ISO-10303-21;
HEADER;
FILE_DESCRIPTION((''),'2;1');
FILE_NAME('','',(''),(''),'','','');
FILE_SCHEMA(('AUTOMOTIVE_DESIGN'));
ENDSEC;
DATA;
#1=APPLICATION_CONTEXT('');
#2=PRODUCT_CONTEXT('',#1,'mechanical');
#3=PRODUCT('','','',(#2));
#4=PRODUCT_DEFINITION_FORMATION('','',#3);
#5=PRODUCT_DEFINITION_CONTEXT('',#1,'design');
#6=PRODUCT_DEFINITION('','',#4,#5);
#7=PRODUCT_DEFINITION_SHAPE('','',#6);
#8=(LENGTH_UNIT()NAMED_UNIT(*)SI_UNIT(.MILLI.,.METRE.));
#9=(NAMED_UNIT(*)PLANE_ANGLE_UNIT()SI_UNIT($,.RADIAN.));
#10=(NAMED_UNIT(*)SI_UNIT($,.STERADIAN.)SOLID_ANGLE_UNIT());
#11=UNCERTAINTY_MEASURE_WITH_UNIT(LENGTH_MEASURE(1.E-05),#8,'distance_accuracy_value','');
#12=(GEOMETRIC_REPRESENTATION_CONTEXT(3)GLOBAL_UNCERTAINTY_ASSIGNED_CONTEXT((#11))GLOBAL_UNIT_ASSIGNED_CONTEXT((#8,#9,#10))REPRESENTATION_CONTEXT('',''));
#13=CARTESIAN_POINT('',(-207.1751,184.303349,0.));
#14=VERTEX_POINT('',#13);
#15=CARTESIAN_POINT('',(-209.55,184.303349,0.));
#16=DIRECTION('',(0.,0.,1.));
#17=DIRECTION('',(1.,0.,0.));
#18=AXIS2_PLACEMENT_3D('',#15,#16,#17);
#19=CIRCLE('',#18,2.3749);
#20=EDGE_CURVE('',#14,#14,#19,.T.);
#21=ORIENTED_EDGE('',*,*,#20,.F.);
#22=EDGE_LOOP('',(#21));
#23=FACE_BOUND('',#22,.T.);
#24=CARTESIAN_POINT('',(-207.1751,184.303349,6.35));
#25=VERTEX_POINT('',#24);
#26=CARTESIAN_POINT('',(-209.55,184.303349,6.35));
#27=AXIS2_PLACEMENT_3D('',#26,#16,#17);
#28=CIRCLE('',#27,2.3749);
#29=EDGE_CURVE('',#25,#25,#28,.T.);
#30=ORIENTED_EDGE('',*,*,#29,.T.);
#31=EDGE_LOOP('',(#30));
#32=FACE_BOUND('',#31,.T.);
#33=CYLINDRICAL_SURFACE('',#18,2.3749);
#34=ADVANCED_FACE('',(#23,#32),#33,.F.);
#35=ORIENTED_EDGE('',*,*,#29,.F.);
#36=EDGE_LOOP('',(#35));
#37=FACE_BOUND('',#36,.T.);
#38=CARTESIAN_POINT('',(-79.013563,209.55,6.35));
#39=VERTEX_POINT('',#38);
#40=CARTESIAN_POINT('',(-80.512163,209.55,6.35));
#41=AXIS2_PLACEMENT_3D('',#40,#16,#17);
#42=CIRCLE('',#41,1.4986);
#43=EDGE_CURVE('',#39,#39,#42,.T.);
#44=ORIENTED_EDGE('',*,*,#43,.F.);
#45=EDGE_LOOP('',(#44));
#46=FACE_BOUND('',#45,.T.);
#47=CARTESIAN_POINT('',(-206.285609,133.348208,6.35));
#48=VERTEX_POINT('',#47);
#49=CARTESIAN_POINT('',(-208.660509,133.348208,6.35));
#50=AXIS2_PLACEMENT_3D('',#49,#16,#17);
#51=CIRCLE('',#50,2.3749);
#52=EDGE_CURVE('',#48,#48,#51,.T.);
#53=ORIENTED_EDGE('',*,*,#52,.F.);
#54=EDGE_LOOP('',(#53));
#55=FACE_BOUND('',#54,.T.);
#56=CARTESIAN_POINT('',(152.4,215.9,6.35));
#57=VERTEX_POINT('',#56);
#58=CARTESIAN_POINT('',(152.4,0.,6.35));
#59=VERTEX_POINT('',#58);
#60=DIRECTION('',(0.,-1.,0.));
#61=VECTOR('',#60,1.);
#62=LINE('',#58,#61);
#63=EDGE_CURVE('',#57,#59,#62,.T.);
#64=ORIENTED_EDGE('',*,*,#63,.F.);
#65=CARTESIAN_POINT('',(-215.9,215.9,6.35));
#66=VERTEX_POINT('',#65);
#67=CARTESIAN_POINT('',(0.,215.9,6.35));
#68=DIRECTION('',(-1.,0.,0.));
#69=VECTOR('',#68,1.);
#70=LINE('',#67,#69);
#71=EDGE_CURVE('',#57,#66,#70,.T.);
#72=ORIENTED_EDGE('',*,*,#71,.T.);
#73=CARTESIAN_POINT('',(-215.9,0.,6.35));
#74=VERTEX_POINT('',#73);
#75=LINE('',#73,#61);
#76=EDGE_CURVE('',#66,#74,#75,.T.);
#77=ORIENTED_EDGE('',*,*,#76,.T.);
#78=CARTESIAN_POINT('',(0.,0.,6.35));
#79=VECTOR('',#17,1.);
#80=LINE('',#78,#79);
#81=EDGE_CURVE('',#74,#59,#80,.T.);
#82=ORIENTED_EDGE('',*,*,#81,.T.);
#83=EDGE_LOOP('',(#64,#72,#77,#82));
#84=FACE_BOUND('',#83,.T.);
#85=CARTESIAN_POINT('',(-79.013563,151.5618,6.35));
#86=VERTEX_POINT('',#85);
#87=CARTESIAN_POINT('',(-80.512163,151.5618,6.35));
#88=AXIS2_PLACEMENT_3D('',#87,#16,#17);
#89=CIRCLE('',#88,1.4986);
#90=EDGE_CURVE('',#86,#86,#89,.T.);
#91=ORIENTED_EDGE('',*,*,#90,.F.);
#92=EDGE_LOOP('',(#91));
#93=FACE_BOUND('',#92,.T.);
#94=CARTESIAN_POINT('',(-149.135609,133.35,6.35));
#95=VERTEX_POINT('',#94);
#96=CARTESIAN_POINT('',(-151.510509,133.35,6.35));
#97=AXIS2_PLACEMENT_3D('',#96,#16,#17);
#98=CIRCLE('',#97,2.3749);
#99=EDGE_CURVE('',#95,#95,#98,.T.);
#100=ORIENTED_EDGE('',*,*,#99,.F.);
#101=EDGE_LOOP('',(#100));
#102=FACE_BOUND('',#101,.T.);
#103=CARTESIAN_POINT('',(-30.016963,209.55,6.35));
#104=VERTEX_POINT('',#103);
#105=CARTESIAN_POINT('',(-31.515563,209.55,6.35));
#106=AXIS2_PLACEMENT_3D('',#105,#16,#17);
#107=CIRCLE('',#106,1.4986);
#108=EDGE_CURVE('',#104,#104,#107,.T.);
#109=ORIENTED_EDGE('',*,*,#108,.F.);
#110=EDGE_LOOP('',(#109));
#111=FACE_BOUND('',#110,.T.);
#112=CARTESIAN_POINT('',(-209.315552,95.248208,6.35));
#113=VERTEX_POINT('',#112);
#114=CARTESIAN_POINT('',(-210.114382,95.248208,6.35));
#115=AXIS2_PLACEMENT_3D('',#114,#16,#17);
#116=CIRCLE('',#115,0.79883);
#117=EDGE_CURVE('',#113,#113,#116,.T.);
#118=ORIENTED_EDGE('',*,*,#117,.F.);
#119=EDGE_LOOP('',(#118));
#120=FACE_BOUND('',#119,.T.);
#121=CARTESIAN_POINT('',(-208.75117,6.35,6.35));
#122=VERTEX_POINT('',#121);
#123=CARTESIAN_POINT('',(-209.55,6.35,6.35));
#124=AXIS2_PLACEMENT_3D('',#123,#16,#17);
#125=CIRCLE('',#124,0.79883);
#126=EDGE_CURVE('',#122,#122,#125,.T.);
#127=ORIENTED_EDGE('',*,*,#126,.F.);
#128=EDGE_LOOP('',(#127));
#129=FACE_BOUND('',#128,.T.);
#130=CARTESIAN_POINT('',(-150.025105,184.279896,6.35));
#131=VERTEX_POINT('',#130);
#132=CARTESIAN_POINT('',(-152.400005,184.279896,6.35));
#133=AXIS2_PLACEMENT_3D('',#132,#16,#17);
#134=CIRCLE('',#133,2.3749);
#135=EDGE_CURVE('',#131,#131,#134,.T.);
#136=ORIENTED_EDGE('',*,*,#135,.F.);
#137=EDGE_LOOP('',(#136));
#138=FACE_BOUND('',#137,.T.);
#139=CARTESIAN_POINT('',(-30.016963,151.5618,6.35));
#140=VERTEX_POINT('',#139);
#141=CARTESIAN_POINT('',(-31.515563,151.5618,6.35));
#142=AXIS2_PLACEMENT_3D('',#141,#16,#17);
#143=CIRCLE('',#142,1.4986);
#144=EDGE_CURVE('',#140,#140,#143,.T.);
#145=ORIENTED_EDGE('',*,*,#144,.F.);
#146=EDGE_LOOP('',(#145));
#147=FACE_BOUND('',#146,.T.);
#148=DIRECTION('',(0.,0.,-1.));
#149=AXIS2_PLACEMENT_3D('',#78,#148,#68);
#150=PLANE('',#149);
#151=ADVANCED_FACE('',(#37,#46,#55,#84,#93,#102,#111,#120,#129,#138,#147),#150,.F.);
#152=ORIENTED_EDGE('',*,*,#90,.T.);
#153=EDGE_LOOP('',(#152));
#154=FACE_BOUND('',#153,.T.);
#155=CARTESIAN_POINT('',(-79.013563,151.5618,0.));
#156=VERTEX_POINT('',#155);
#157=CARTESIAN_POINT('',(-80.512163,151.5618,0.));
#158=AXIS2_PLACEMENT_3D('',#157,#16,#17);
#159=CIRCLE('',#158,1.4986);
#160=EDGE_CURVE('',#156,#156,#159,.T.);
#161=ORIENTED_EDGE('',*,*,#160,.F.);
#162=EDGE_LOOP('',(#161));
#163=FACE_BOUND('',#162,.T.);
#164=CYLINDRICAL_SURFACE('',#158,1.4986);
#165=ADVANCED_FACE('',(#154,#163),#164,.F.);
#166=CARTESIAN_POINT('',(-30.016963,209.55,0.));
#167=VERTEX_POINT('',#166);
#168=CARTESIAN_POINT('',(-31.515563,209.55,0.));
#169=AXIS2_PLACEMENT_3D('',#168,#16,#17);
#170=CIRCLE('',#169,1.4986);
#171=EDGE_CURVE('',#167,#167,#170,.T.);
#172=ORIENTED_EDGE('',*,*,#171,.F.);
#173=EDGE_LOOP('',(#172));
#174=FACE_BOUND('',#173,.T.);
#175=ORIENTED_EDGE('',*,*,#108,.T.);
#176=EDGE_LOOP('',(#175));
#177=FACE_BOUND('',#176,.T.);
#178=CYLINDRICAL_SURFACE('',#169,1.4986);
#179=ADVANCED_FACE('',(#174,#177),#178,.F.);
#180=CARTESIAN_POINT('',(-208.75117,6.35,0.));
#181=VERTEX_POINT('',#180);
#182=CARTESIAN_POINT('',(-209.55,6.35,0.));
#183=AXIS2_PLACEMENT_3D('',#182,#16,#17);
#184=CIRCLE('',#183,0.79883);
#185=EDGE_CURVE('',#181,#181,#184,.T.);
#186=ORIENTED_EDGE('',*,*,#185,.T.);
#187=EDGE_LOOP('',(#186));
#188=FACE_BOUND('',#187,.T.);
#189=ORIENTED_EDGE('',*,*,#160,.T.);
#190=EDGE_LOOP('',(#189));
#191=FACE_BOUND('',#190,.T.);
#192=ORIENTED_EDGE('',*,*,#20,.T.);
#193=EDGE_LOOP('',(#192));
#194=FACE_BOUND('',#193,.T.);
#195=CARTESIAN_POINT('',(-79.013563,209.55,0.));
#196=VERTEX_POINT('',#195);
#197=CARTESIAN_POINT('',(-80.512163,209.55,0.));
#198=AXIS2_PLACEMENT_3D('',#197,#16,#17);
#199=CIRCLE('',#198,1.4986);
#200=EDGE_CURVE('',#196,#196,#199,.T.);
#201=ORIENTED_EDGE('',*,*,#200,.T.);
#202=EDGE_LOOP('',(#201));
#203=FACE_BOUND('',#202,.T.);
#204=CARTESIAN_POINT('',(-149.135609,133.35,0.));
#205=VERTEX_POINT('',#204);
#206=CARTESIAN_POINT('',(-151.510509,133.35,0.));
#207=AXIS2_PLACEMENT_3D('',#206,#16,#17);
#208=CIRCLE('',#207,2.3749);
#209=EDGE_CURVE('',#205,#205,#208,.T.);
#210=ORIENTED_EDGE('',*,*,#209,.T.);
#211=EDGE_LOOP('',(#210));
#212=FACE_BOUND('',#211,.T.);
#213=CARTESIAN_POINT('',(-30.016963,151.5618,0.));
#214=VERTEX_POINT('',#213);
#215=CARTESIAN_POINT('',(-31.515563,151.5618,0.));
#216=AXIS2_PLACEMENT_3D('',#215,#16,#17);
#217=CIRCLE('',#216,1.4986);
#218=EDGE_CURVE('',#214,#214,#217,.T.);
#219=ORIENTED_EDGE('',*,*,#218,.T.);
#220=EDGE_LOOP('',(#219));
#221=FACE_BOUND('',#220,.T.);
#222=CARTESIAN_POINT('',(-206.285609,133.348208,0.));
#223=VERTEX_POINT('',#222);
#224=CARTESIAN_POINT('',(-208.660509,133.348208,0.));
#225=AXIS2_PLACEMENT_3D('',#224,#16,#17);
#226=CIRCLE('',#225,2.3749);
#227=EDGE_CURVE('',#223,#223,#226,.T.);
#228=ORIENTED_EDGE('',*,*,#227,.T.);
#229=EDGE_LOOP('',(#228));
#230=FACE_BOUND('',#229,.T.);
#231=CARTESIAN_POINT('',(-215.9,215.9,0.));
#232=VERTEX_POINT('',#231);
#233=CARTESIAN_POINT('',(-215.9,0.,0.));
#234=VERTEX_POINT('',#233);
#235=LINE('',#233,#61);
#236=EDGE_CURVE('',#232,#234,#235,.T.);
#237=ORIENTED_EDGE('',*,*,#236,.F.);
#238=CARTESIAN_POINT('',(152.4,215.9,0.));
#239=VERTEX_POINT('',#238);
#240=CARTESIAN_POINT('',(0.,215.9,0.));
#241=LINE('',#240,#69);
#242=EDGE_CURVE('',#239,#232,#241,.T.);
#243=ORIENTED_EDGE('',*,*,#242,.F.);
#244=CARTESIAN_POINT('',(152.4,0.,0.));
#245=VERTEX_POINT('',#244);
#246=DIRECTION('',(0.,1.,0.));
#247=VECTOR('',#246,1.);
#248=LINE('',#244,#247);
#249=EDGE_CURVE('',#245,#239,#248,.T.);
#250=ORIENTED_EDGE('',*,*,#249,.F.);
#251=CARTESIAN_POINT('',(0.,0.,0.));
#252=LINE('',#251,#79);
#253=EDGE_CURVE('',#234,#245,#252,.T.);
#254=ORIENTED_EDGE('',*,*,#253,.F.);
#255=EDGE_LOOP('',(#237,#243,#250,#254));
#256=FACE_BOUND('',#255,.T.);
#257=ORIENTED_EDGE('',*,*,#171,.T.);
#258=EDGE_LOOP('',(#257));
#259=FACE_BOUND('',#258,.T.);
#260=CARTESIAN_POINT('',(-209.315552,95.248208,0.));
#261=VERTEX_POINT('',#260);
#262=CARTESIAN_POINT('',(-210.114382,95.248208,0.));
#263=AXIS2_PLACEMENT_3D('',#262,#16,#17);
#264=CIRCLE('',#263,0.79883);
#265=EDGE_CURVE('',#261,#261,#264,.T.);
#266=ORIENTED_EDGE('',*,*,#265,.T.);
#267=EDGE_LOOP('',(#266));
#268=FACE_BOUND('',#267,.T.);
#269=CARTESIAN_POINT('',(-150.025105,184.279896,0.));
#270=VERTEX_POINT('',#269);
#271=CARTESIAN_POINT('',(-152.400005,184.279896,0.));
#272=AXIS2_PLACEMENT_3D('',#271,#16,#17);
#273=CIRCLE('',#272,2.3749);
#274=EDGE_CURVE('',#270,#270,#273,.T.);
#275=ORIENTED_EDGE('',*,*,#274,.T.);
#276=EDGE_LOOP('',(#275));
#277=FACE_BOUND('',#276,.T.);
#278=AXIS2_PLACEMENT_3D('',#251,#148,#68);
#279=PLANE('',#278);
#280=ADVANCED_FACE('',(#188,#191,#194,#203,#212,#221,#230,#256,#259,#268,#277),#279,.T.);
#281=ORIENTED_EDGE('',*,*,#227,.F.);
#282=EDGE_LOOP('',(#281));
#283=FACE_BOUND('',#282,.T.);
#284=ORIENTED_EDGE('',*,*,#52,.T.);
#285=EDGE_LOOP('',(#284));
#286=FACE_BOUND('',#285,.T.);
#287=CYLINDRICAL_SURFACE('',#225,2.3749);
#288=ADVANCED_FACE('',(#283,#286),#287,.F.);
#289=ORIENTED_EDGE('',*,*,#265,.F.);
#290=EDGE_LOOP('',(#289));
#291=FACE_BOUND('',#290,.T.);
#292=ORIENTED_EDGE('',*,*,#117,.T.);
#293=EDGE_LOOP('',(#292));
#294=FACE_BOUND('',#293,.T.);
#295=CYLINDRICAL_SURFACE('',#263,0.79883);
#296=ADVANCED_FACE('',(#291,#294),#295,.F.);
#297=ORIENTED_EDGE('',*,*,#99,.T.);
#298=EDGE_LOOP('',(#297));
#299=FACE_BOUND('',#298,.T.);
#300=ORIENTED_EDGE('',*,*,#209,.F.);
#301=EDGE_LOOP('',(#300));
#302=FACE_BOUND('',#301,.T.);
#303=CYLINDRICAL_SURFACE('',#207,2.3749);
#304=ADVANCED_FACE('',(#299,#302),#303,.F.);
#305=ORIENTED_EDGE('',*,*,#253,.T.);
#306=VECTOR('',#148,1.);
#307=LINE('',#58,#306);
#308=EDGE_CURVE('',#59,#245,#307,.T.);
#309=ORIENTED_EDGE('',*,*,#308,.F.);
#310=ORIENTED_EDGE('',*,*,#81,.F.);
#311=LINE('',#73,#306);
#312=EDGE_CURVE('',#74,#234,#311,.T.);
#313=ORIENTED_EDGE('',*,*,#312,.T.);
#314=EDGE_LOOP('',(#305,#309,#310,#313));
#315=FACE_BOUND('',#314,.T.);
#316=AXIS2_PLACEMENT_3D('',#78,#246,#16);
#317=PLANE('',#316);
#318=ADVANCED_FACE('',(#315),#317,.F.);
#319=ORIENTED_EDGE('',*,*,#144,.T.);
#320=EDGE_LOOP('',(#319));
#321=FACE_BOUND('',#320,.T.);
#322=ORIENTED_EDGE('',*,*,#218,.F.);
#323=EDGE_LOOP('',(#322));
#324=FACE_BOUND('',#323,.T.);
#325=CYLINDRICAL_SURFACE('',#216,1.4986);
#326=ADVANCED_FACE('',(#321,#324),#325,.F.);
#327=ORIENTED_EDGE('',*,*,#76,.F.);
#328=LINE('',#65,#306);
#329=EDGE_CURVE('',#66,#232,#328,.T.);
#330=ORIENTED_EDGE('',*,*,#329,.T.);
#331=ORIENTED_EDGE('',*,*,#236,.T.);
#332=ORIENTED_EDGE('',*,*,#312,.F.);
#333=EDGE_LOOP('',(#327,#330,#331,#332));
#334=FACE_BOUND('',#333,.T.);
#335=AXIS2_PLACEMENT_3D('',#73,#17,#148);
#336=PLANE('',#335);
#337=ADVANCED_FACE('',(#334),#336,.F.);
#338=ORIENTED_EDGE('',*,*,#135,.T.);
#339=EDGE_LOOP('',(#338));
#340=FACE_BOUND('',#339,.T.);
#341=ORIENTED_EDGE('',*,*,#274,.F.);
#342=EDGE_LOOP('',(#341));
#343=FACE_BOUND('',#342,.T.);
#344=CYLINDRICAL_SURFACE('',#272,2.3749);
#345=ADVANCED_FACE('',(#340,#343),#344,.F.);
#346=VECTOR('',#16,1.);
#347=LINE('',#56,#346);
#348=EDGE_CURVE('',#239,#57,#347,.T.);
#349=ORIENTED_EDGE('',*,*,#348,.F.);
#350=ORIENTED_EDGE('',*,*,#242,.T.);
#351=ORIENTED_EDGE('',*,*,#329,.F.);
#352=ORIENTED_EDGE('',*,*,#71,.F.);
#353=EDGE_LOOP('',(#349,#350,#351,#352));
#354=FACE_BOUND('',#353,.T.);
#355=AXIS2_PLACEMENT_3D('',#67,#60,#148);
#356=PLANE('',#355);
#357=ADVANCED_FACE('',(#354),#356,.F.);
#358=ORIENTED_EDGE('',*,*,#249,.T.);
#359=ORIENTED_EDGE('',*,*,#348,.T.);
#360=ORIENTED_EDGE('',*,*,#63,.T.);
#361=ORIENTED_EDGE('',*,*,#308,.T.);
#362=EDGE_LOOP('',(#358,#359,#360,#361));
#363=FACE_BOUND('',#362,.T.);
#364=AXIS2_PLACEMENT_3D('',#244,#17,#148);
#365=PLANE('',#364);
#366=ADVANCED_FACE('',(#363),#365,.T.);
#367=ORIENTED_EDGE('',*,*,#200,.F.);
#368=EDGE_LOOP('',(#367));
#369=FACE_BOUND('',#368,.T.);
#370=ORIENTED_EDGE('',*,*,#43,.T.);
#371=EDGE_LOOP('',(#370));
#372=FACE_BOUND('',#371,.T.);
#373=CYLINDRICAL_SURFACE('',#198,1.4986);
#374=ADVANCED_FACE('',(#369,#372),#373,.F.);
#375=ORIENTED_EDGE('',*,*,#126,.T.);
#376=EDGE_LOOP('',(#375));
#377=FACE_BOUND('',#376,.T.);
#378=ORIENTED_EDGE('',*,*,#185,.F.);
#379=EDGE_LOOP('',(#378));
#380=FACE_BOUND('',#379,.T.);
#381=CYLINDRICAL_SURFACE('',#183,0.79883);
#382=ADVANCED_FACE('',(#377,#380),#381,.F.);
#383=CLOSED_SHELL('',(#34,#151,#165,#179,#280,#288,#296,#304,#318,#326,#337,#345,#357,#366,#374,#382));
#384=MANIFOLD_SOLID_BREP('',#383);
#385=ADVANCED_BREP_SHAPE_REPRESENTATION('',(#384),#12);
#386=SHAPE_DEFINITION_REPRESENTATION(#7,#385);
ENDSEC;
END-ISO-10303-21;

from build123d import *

# Parameters (mm, degrees)
SKETCH1_W           = 215.9
SKETCH1_H           = 215.9
BOSS_EXTRUDE1_DEPTH = 6.35
SKETCH2_R           = 0.79883
CUT_EXTRUDE1_DEPTH  = 7.35
SKETCH3_R           = 2.3749
CUT_EXTRUDE2_DEPTH  = 7.35
SKETCH4_R           = 1.4986
CUT_EXTRUDE4_DEPTH  = 7.35
SKETCH5_W           = 215.9
SKETCH5_H           = 6.35
BOSS_EXTRUDE2_DEPTH = 152.4


with BuildPart() as part:
    # Sketch1 → Boss-Extrude1 (new body)
    with BuildSketch(Plane(origin=(0, 0, 0), x_dir=(0, 1, 0), z_dir=(0, 0, 1))):
        with Locations((107.95, 107.95)):
            Rectangle(SKETCH1_W, SKETCH1_H)
    extrude(amount=BOSS_EXTRUDE1_DEPTH)

    # Sketch2 → Cut-Extrude1 (cut, through all)
    with BuildSketch(Plane.XY.offset(6.35)):
        with Locations((-209.55, 6.35)):
            Circle(SKETCH2_R)
        with Locations((-210.114382122, 95.24820849)):
            Circle(SKETCH2_R)
    extrude(amount=-CUT_EXTRUDE1_DEPTH, mode=Mode.SUBTRACT)

    # Sketch3 → Cut-Extrude2 (cut, through all)
    with BuildSketch(Plane.XY.offset(6.35)):
        with Locations((-209.55, 184.30334861)):
            Circle(SKETCH3_R)
        with Locations((-208.660508776, 133.34820849)):
            Circle(SKETCH3_R)
        with Locations((-152.400004812, 184.27989595)):
            Circle(SKETCH3_R)
        with Locations((-151.510508804, 133.349999963)):
            Circle(SKETCH3_R)
    extrude(amount=-CUT_EXTRUDE2_DEPTH, mode=Mode.SUBTRACT)

    # Sketch4 → Cut-Extrude4 (cut, through all)
    with BuildSketch(Plane.XY.offset(6.35)):
        with Locations((-80.512162715, 209.55)):
            Circle(SKETCH4_R)
        with Locations((-31.515562715, 209.55)):
            Circle(SKETCH4_R)
        with Locations((-80.512162715, 151.5618)):
            Circle(SKETCH4_R)
        with Locations((-31.515562715, 151.5618)):
            Circle(SKETCH4_R)
    extrude(amount=-CUT_EXTRUDE4_DEPTH, mode=Mode.SUBTRACT)

    # Sketch5 → Boss-Extrude2 (add)
    with BuildSketch(Plane.YZ):
        with Locations((107.95, 3.175)):
            Rectangle(SKETCH5_W, SKETCH5_H)
    extrude(amount=BOSS_EXTRUDE2_DEPTH)


solid = part.part
